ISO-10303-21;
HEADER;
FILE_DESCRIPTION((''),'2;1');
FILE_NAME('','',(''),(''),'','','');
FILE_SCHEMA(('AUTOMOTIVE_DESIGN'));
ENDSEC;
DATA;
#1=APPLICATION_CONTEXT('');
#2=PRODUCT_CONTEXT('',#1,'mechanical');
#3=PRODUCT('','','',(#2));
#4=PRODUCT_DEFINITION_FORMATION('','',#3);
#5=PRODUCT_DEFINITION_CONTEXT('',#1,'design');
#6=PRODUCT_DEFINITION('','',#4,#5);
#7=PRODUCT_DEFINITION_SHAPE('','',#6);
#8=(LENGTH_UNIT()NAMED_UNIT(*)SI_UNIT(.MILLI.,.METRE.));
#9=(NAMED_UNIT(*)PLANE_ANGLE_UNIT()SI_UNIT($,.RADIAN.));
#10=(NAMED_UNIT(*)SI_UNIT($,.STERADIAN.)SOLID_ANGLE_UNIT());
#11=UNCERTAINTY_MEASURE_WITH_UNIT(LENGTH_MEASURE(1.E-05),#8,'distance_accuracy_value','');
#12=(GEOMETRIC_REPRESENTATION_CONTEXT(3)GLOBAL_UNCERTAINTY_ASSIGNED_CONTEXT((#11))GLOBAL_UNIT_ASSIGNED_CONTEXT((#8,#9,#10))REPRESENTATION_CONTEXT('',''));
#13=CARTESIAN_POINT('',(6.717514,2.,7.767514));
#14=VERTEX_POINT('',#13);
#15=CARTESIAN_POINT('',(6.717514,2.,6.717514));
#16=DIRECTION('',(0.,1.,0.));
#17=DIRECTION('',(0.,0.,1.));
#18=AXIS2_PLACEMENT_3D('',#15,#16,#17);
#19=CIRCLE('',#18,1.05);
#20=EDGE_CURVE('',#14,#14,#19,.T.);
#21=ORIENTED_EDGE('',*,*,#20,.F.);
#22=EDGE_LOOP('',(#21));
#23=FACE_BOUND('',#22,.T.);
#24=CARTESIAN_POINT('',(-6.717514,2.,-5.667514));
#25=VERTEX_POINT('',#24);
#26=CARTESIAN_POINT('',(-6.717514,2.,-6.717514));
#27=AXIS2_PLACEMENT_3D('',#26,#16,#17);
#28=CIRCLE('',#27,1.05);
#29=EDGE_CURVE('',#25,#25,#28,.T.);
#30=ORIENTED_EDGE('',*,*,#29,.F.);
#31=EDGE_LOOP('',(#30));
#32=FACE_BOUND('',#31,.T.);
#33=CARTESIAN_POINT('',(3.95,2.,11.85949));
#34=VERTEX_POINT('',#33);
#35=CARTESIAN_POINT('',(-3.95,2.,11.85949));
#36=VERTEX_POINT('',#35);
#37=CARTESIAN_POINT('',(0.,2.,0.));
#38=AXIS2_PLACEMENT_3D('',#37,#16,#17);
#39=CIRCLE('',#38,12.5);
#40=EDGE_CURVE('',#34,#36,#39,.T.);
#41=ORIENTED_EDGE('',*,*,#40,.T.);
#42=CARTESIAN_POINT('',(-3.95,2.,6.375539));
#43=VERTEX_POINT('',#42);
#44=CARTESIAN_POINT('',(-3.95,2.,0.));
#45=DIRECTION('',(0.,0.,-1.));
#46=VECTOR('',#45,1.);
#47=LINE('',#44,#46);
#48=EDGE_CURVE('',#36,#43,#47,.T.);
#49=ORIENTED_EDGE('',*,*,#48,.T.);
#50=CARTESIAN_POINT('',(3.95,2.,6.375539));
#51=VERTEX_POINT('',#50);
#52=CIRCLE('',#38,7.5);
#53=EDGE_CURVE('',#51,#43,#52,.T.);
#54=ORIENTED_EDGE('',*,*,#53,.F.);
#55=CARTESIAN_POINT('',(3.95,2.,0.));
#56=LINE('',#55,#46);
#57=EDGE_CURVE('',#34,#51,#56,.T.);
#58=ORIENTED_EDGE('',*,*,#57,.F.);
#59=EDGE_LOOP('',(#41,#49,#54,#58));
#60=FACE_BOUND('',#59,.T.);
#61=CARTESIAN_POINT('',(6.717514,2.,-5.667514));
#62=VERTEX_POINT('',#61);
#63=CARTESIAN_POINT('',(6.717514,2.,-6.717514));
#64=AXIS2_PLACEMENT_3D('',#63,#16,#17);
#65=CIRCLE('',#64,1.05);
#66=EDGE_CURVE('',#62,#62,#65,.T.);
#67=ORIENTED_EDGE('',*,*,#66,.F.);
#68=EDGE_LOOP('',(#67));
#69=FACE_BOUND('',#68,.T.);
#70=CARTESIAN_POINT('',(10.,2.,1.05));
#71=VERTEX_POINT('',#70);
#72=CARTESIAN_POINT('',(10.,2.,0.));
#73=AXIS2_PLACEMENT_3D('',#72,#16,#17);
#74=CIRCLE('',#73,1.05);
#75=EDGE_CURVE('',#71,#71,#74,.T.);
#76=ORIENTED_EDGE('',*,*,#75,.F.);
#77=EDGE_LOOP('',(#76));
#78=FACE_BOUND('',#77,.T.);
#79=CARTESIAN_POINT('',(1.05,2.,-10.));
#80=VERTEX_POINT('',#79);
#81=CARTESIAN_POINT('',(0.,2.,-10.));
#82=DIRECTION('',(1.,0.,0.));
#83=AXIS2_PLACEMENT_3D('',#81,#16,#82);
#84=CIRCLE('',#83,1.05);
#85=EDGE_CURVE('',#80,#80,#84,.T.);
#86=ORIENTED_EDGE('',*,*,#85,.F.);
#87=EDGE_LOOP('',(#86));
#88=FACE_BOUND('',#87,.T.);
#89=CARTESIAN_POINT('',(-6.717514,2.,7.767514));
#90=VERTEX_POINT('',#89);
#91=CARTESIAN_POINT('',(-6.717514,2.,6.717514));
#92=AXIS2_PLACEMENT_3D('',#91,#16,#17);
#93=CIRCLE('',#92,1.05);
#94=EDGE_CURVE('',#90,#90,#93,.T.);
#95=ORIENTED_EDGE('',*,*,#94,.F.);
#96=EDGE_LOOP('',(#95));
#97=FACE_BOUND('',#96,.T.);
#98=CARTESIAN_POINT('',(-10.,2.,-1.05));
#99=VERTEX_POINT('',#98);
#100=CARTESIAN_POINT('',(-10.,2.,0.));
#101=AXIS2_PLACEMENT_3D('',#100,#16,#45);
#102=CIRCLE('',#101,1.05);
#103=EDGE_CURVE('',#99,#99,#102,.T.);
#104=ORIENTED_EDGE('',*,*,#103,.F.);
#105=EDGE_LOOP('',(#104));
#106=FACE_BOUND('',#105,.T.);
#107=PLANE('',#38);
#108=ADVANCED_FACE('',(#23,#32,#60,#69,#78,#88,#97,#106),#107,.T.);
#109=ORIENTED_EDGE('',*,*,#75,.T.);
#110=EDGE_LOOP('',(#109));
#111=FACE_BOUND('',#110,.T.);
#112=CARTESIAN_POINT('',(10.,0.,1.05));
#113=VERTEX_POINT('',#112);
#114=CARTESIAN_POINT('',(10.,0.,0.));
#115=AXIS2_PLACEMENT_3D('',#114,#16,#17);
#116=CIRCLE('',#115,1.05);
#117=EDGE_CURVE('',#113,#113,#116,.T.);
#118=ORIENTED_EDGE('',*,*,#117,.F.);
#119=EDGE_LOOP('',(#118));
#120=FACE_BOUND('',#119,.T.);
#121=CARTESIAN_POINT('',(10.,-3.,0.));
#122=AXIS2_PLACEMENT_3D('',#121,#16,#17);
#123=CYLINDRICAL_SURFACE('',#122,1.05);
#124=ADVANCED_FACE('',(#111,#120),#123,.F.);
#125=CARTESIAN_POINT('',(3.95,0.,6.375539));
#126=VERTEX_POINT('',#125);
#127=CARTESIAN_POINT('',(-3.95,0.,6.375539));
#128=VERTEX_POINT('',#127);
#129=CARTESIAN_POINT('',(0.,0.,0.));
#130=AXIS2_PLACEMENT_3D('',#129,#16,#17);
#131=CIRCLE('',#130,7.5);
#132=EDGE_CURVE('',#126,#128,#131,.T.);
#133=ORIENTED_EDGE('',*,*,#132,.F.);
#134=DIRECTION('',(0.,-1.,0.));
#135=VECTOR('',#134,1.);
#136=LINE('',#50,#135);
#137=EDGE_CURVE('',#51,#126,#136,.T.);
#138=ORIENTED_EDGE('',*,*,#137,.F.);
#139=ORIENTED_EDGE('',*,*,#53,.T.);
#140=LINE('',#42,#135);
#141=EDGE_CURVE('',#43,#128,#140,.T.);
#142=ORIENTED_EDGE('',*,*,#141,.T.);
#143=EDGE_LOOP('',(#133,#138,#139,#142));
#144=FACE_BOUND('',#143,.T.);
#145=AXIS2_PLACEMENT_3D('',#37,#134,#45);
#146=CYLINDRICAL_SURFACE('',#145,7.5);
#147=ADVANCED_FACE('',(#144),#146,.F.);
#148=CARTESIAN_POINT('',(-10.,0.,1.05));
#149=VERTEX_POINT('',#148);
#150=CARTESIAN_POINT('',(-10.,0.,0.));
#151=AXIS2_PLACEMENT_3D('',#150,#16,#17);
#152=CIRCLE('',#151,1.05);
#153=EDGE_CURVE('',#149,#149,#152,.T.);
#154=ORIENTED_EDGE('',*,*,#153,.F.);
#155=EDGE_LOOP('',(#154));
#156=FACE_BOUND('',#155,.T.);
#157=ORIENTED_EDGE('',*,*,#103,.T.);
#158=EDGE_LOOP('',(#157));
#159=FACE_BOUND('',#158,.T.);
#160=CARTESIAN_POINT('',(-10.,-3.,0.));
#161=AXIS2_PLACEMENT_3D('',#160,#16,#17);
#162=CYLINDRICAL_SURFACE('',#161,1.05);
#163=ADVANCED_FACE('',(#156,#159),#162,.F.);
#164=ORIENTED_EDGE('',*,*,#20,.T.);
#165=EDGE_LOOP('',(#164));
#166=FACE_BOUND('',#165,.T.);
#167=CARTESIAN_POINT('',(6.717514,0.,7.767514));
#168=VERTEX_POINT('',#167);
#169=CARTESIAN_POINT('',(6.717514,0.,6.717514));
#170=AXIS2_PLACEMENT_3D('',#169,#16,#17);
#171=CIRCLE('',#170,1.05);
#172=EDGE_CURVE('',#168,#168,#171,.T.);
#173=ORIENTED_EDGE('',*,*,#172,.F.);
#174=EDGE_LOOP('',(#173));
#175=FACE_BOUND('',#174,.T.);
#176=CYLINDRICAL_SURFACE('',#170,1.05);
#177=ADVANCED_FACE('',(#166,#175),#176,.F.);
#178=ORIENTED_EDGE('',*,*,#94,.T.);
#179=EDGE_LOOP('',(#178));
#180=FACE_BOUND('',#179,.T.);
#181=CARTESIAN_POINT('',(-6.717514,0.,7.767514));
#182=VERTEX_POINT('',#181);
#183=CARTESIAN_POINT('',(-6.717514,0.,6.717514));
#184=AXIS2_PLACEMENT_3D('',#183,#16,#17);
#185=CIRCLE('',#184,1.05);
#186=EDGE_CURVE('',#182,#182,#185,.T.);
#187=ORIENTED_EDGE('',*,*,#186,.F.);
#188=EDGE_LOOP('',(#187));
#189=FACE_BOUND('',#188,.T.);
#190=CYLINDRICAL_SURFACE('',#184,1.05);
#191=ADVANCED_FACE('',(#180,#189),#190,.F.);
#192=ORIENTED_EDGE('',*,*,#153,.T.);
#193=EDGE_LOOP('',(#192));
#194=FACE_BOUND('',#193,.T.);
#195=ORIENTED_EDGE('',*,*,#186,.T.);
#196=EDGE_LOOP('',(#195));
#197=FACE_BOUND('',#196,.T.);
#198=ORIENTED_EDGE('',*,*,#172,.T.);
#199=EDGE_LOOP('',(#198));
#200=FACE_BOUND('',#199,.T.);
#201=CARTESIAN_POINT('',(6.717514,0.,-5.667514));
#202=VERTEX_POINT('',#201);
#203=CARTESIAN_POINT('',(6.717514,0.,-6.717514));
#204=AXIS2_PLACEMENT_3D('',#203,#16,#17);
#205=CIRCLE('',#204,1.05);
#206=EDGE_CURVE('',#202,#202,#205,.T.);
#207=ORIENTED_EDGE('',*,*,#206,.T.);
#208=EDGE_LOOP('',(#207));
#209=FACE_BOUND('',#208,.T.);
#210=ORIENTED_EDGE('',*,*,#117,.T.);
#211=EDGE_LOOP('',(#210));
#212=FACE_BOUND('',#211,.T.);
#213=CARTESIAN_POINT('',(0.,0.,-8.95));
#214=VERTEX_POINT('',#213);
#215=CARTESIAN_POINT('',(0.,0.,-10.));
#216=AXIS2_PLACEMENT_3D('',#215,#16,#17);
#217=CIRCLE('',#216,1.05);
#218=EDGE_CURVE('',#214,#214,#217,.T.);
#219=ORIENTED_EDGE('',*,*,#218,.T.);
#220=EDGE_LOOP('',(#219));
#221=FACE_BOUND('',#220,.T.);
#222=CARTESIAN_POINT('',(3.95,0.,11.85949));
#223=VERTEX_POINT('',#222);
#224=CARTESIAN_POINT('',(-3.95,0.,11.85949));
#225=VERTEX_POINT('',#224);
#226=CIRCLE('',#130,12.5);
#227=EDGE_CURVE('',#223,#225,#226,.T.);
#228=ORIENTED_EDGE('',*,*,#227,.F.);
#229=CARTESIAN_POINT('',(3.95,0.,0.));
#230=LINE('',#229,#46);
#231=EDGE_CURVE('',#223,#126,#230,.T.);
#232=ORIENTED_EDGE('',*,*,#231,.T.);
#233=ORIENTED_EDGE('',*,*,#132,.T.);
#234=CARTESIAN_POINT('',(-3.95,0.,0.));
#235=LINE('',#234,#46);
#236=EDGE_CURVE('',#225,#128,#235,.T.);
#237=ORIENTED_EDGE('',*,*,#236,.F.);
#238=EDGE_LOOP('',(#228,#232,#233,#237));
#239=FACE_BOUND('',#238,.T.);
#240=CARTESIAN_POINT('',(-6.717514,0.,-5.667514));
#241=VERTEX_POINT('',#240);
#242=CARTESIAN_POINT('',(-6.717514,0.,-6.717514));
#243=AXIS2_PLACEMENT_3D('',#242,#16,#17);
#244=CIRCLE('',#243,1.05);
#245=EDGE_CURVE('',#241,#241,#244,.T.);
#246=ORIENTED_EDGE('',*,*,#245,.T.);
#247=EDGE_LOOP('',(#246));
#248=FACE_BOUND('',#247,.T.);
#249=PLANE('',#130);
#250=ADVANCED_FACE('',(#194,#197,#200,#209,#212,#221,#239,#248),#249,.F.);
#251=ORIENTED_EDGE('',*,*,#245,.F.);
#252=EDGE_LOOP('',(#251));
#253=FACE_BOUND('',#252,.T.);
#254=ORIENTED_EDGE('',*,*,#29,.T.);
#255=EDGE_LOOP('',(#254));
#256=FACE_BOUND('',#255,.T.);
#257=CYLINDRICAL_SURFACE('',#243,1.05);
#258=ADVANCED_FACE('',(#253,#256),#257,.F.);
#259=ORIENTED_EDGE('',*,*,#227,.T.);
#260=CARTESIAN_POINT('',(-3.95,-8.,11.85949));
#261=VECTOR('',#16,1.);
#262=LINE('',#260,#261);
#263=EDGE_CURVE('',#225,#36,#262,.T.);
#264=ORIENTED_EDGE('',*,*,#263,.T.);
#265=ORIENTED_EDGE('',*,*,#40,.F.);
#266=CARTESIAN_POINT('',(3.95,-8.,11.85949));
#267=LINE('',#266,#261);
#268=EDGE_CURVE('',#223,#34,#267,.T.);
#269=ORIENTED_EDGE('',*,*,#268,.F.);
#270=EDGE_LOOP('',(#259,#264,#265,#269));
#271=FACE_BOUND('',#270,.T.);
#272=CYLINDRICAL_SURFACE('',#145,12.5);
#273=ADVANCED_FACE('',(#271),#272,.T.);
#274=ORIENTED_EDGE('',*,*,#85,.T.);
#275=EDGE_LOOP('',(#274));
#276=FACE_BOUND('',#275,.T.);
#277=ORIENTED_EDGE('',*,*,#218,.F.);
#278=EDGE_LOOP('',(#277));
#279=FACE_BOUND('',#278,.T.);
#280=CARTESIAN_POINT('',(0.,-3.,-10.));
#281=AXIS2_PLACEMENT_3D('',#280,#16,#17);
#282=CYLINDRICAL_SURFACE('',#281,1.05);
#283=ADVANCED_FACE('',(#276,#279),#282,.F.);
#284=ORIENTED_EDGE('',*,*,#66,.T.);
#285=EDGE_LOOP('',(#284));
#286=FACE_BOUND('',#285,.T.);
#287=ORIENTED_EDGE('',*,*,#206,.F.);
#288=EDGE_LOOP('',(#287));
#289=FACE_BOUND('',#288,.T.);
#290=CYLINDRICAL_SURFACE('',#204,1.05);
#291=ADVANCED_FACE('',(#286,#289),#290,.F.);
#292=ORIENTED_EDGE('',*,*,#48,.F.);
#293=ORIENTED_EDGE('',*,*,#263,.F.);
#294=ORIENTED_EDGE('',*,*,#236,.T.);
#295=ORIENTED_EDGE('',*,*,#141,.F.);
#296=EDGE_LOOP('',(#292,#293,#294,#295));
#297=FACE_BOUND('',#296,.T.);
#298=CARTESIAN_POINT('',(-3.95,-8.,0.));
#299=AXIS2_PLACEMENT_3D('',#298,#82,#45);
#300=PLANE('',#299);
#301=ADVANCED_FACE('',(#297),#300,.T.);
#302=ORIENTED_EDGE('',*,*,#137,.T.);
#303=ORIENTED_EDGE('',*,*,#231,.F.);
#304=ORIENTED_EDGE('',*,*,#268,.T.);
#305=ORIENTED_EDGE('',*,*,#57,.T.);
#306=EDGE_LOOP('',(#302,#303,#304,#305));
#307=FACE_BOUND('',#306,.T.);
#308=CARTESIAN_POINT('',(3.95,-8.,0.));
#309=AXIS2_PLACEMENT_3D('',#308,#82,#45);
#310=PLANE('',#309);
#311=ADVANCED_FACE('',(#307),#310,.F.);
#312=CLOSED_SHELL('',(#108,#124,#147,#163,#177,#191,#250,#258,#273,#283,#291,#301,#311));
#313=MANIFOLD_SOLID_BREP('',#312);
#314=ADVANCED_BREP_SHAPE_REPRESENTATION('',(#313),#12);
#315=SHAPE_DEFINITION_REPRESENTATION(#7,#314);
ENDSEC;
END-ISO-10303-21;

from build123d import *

# Parameters (mm, degrees)
SKETCH1_R           = 12.5
SKETCH1_R_2         = 7.5
BOSS_EXTRUDE1_DEPTH = 2
SKETCH2_R           = 1.05
CUT_EXTRUDE1_DEPTH  = 5
CIRPATTERN1_COUNT   = 3
CIRPATTERN1_ANGLE   = 180
SKETCH3_R           = 1.05
CUT_EXTRUDE2_DEPTH  = 2
SKETCH4_W           = 7.9
SKETCH4_H           = 11.346310676
CUT_EXTRUDE3_DEPTH  = 10


with BuildPart() as part:
    # Sketch1 → Boss-Extrude1 (new body)
    with BuildSketch(Plane(origin=(0, 0, 0), x_dir=(1, 0, 0), z_dir=(0, 1, 0))):
        Circle(SKETCH1_R)
        Circle(SKETCH1_R_2, mode=Mode.SUBTRACT)
    extrude(amount=BOSS_EXTRUDE1_DEPTH)

    # Sketch2 → Cut-Extrude1 (cut)
    with BuildSketch(Plane(origin=(0, 2, 0), x_dir=(1, 0, 0), z_dir=(0, 1, 0))):
        with Locations((10, 0)):
            Circle(SKETCH2_R)
    cut_extrude1 = extrude(amount=-CUT_EXTRUDE1_DEPTH, mode=Mode.SUBTRACT)

    # CirPattern1: Cut-Extrude1 ×3 about axis
    cirpattern1_axis = Axis((0, 0, 0), (0, 1, 0))
    for i in range(1, CIRPATTERN1_COUNT):
        add(cut_extrude1.rotate(cirpattern1_axis, i * CIRPATTERN1_ANGLE / (CIRPATTERN1_COUNT - 1)), mode=Mode.SUBTRACT)

    # Sketch3 → Cut-Extrude2 (cut)
    with BuildSketch(Plane(origin=(0, 2, 0), x_dir=(1, 0, 0), z_dir=(0, 1, 0))):
        with Locations((-6.71751442, 6.71751442)):
            Circle(SKETCH3_R)
        with Locations((6.71751442, 6.71751442)):
            Circle(SKETCH3_R)
        with Locations((6.71751442, -6.71751442)):
            Circle(SKETCH3_R)
        with Locations((-6.71751442, -6.71751442)):
            Circle(SKETCH3_R)
    extrude(amount=-CUT_EXTRUDE2_DEPTH, mode=Mode.SUBTRACT)

    # Sketch4 → Cut-Extrude3 (cut)
    with BuildSketch(Plane(origin=(0, 2, 0), x_dir=(1, 0, 0), z_dir=(0, 1, 0))):
        with Locations((0, -10.263253748)):
            Rectangle(SKETCH4_W, SKETCH4_H)
    extrude(amount=-CUT_EXTRUDE3_DEPTH, mode=Mode.SUBTRACT)


solid = part.part
